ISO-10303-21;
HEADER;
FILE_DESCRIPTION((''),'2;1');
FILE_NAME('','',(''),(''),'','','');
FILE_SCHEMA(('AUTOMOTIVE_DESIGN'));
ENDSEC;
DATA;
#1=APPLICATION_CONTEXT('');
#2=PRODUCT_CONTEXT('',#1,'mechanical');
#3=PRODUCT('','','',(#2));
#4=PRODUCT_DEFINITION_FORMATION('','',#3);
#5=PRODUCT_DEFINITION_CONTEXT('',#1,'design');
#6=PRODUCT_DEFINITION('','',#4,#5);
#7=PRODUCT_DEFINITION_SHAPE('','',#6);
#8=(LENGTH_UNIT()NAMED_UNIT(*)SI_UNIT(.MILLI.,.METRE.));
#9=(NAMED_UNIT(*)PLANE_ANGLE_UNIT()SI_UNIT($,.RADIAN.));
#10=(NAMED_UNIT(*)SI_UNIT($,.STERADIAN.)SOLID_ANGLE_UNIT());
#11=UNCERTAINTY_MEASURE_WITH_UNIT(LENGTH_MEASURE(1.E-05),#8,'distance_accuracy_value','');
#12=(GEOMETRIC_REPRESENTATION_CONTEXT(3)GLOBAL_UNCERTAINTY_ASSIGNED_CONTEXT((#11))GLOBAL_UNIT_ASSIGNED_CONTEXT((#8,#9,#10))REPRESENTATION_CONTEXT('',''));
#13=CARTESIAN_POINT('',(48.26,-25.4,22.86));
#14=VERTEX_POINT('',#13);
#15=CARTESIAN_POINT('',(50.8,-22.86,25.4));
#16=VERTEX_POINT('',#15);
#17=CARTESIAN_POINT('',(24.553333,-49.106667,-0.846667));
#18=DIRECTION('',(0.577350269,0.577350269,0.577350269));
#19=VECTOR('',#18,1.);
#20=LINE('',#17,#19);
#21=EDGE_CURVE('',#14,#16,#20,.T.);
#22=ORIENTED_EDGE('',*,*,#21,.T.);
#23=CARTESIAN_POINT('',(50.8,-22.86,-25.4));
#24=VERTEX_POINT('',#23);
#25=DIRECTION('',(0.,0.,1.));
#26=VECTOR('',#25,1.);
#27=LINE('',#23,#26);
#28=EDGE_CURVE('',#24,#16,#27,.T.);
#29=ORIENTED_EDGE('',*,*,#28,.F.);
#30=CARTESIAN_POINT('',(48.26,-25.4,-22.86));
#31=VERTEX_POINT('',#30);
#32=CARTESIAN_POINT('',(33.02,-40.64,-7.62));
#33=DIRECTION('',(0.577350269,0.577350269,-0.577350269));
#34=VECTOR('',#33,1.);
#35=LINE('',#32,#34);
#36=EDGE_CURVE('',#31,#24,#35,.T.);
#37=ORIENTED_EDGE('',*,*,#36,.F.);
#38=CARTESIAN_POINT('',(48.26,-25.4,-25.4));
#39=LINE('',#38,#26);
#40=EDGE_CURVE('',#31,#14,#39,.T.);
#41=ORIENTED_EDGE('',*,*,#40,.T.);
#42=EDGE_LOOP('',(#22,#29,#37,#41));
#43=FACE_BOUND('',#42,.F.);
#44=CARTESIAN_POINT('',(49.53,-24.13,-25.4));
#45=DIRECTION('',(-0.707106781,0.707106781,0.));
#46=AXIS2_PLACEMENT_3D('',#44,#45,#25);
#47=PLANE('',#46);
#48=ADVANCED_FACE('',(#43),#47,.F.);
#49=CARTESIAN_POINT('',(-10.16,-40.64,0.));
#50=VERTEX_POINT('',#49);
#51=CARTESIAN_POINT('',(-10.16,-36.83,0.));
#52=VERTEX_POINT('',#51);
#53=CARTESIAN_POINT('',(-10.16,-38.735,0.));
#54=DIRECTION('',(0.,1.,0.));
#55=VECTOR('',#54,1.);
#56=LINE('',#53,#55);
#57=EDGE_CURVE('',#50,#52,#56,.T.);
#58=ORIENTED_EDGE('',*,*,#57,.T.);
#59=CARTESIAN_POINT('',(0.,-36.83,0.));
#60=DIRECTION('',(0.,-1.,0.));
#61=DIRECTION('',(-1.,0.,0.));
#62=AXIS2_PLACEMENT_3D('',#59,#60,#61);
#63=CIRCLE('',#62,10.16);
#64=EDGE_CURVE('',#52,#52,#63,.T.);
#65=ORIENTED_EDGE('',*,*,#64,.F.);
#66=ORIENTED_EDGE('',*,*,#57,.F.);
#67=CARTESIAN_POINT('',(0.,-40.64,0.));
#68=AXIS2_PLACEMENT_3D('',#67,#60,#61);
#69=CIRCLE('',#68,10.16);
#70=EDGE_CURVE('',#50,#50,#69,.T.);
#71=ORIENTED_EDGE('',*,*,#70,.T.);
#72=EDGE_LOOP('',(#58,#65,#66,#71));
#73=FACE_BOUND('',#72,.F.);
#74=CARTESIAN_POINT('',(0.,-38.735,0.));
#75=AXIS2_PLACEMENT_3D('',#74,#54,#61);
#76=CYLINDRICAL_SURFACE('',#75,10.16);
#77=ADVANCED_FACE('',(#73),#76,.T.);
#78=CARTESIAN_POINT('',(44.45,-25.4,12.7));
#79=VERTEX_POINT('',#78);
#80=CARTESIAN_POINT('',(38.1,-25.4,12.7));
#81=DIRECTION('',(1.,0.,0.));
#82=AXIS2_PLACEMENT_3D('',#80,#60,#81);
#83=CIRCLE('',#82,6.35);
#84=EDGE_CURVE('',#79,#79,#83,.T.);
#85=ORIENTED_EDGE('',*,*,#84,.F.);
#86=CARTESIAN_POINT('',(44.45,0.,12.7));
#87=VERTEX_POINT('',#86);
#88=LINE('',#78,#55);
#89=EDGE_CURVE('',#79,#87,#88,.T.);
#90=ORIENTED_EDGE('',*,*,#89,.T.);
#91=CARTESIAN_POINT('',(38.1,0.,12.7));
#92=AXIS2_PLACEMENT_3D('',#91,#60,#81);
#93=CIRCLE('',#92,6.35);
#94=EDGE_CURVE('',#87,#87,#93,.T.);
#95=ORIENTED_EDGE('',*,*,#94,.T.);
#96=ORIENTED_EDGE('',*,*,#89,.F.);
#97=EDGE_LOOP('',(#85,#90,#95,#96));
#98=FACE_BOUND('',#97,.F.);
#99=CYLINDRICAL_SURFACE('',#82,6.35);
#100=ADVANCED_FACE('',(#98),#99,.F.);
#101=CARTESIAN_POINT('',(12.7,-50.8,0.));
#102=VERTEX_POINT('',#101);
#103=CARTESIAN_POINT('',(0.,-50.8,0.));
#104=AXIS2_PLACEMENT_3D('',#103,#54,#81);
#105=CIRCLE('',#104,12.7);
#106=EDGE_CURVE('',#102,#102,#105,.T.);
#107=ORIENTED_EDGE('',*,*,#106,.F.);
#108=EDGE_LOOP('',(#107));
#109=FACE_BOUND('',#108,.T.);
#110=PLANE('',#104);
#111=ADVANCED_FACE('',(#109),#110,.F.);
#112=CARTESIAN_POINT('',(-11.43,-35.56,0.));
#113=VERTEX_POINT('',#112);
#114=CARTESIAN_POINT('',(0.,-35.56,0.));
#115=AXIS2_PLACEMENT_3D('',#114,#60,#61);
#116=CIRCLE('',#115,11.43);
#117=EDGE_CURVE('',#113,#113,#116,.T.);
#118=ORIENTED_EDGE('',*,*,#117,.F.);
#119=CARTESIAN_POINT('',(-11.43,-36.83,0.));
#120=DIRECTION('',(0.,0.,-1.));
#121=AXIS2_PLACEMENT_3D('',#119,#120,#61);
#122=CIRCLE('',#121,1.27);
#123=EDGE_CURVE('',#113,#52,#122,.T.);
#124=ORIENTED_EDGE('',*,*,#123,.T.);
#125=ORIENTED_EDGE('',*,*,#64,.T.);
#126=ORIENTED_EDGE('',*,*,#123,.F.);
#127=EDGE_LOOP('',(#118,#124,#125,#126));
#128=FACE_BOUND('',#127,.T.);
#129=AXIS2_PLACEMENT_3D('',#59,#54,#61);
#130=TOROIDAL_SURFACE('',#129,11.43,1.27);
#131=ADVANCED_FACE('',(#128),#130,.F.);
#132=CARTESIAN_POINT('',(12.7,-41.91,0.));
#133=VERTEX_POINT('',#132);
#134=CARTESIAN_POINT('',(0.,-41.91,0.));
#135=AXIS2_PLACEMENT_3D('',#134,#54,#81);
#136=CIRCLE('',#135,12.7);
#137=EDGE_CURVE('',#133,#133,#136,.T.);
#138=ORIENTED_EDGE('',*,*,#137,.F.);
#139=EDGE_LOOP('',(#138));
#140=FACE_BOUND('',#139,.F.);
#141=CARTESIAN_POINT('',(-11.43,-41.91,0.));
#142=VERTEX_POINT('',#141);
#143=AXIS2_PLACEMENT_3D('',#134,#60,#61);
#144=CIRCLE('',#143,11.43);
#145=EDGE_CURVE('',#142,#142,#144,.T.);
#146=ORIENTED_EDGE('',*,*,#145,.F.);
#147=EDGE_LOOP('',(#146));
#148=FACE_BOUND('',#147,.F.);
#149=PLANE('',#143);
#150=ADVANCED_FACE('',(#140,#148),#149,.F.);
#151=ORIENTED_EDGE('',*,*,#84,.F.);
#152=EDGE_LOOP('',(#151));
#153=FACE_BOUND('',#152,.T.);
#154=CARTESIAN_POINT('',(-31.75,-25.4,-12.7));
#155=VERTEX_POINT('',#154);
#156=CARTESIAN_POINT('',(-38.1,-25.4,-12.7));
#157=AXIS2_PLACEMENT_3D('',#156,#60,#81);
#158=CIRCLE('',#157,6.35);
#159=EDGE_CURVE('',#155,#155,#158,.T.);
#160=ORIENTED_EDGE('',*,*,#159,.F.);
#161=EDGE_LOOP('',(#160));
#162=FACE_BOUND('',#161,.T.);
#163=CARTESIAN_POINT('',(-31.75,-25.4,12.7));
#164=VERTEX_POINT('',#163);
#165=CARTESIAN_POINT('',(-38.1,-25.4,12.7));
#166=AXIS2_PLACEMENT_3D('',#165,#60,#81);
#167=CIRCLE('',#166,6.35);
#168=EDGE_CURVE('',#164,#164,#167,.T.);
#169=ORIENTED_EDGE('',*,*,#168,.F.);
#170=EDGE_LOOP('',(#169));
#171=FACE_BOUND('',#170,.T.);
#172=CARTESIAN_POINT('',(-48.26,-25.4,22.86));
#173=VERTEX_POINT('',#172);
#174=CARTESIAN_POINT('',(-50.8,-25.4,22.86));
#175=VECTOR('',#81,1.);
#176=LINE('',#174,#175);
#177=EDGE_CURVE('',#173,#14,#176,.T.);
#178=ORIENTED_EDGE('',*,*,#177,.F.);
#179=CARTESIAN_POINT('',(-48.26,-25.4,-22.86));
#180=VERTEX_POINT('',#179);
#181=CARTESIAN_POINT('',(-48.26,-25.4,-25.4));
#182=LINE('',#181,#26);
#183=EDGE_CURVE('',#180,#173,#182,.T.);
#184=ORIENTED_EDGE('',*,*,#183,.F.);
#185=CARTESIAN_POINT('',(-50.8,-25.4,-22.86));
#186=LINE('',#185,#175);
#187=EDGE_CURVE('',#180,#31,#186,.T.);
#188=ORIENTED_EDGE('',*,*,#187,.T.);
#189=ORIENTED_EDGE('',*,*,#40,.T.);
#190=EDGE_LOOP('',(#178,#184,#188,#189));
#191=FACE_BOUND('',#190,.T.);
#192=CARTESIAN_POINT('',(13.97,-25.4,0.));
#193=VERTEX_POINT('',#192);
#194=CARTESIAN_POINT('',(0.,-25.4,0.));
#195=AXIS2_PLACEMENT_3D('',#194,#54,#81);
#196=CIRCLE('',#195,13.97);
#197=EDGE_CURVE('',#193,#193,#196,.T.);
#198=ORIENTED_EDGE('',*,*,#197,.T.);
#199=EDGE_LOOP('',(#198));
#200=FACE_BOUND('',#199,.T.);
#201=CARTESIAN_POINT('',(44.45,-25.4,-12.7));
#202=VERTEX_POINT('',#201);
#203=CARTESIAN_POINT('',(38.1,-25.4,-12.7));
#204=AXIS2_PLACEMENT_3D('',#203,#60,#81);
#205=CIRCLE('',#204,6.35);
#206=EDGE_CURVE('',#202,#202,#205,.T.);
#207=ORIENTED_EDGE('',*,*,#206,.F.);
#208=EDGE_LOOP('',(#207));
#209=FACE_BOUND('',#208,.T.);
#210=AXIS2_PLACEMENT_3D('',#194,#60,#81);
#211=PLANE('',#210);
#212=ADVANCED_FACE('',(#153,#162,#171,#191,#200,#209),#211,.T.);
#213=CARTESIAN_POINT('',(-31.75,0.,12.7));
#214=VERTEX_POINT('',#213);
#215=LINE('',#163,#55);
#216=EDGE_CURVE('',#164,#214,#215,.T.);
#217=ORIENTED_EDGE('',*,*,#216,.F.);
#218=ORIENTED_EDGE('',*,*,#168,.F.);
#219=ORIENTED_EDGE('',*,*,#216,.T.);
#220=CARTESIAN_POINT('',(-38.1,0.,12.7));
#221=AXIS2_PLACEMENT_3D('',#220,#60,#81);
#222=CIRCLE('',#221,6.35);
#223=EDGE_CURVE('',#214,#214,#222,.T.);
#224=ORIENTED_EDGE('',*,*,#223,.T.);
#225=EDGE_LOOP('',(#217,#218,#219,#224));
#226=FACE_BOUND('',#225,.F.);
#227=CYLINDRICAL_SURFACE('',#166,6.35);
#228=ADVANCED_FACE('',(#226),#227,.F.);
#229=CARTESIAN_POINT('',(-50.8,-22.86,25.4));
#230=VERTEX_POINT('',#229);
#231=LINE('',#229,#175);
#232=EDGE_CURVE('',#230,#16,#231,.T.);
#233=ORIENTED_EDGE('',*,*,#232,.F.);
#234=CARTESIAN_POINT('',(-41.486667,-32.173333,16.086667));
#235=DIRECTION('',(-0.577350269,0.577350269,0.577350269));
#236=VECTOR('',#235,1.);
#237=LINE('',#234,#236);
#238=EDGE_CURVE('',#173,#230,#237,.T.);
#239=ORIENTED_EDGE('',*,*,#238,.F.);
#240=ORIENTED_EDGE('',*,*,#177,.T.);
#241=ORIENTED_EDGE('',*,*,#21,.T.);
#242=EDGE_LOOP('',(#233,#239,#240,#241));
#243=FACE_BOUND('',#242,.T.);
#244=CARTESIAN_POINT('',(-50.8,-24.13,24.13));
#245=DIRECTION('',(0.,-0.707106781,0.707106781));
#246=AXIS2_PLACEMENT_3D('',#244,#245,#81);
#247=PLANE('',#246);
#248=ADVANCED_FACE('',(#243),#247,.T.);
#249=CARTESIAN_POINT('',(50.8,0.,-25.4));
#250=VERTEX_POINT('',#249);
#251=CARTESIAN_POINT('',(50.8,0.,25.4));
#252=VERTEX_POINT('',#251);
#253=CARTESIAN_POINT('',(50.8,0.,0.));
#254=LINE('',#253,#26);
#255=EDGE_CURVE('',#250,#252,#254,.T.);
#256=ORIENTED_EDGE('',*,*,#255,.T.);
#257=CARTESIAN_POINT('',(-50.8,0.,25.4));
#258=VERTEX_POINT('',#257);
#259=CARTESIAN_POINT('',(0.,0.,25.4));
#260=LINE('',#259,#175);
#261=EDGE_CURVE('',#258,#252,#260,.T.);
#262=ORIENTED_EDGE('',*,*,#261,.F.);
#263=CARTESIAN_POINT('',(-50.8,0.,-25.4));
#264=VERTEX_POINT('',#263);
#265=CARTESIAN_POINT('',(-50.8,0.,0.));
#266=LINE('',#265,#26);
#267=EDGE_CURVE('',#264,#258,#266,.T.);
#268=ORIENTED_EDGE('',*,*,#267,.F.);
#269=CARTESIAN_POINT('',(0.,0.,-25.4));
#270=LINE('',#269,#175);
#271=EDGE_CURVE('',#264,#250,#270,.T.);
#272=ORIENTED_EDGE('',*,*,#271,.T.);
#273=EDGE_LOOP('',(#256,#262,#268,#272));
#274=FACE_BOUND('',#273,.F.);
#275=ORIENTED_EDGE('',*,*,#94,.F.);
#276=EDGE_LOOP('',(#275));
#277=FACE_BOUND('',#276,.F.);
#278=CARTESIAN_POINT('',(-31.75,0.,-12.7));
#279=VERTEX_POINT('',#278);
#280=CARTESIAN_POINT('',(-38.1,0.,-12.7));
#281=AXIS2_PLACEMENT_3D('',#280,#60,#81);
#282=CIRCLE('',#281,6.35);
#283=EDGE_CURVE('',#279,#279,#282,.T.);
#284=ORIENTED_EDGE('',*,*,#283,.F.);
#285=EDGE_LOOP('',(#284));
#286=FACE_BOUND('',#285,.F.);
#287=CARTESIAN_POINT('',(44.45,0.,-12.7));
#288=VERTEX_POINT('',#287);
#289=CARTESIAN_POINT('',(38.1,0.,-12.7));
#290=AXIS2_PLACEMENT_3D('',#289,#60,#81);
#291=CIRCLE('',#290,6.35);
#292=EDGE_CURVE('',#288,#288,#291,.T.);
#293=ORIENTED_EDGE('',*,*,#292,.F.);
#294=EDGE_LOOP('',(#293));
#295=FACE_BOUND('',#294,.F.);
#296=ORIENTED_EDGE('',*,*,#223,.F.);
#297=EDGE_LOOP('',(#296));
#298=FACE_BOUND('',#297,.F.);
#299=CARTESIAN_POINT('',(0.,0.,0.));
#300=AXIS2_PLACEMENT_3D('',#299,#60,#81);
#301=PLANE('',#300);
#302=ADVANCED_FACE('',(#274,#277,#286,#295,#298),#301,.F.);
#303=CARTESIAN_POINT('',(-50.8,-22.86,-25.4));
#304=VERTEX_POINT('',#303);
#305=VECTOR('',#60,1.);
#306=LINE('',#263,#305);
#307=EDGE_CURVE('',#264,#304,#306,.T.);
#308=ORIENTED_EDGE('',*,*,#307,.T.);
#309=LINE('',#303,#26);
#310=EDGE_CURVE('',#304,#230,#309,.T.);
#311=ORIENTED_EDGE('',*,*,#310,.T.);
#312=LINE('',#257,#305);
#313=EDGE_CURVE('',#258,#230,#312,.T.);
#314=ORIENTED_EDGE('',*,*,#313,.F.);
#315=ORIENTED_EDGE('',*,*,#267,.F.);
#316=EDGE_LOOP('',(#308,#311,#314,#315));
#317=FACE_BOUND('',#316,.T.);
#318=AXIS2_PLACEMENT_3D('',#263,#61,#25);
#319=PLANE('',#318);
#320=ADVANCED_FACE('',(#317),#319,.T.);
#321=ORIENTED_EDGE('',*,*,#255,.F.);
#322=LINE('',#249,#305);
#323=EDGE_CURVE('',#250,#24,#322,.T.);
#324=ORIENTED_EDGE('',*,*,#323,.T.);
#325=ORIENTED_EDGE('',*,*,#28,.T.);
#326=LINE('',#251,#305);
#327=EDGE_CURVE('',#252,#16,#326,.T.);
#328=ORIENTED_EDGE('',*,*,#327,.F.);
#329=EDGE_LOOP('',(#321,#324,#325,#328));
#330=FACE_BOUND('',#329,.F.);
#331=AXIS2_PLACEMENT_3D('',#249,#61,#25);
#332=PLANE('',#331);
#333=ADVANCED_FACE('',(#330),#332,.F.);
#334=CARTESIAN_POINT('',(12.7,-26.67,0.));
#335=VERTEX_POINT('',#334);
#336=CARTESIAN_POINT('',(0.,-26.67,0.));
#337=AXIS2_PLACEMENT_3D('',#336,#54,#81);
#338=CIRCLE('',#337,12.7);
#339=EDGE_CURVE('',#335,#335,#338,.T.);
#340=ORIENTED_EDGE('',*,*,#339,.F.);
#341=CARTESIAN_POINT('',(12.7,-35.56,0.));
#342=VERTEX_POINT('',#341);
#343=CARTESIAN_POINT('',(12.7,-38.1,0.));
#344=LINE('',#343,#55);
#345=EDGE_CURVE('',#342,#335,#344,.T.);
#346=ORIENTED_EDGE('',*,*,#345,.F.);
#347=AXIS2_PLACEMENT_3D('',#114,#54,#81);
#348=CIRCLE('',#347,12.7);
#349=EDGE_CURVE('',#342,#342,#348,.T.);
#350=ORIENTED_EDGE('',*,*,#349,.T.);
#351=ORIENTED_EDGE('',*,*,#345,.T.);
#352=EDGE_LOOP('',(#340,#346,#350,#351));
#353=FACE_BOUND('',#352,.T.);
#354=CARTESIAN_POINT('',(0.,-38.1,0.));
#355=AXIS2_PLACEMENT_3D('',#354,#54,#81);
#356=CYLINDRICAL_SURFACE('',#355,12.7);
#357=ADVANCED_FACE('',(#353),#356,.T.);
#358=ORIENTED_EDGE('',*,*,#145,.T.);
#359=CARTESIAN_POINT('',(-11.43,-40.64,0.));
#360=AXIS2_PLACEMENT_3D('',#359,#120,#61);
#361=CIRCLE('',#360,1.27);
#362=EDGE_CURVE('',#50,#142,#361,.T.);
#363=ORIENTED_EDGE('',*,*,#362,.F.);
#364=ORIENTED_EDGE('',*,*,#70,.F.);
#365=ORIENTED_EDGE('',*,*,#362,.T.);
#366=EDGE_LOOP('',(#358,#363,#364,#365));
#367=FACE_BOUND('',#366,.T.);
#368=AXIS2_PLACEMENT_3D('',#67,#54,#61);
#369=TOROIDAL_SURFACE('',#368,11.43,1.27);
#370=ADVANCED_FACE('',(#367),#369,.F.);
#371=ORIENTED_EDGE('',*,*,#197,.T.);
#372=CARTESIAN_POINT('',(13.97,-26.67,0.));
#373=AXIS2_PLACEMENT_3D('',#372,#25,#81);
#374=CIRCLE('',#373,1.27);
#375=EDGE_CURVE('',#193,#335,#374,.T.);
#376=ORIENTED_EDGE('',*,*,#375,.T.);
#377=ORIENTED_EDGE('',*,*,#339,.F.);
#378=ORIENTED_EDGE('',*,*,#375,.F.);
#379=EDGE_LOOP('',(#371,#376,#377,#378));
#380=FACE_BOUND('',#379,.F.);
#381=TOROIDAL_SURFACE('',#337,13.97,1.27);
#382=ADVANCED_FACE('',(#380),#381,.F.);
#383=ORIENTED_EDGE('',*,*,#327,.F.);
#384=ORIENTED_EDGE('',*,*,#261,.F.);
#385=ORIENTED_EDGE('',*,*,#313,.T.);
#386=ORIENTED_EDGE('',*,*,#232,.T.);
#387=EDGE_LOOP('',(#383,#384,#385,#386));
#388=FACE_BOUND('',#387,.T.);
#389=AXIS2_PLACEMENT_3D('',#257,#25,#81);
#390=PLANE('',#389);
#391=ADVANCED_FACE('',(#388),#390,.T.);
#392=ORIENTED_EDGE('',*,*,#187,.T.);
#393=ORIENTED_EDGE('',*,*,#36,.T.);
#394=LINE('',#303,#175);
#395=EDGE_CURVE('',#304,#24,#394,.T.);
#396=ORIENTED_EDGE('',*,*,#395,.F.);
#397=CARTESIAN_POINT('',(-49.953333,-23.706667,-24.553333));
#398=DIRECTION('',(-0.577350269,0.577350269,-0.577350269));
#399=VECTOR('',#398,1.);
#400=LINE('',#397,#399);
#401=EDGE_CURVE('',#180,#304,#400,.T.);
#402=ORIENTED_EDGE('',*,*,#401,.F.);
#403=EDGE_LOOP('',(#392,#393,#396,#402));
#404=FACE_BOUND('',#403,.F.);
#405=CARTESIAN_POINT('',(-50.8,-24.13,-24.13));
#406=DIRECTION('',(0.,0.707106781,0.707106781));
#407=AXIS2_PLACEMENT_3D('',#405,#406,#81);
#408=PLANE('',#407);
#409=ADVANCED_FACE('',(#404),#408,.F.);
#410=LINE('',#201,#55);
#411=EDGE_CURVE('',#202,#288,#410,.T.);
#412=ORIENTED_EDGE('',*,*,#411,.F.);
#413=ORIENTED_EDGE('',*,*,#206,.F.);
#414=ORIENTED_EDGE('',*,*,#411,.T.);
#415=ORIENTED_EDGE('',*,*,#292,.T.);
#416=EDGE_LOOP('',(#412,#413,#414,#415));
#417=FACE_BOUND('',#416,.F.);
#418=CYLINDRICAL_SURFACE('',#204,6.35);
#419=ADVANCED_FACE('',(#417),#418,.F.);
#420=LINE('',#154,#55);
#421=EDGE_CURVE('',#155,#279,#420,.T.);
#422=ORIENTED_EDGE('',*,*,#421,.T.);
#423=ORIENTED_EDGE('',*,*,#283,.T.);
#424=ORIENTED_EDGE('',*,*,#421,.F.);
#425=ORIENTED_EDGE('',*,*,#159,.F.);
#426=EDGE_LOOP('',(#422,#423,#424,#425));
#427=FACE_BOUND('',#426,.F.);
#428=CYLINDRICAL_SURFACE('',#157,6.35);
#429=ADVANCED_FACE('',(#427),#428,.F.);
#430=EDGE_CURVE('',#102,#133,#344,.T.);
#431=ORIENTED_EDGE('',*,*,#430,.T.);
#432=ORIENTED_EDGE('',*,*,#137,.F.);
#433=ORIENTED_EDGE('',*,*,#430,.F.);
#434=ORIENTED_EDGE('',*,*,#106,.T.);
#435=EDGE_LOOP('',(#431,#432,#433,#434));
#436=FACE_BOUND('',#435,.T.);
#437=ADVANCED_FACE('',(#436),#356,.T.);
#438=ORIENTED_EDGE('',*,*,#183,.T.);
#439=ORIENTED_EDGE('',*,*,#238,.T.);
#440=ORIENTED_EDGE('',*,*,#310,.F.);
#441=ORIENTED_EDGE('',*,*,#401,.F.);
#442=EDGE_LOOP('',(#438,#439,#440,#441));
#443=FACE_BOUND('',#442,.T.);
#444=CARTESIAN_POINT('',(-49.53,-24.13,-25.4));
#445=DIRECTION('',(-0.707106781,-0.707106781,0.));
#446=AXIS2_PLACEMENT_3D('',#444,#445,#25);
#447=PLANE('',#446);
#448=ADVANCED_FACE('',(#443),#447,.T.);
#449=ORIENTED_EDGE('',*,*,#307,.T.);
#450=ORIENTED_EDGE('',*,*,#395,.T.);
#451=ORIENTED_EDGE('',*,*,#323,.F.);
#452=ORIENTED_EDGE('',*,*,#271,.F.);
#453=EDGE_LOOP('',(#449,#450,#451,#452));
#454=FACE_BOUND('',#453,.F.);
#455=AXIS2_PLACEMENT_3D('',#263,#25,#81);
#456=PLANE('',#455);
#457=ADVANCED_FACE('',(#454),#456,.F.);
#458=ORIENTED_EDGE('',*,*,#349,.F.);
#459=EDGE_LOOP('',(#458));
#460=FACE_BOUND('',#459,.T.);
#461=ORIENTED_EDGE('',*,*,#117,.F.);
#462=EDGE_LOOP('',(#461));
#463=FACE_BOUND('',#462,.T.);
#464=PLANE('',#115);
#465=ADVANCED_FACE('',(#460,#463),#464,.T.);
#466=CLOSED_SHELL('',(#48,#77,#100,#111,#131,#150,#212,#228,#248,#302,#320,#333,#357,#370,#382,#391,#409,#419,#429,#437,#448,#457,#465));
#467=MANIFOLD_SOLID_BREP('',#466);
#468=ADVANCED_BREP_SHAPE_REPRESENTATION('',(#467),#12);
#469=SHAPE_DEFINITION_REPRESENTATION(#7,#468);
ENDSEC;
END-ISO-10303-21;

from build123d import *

# Parameters (mm, degrees)
F0_W     = 101.6
F0_H     = 50.8
F1_DEPTH = 25.4
F2_R     = 6.35
F3_DEPTH = 25.401
F4_W     = 12.7
F4_H     = 25.4
F6_W     = 8.301848
F6_H     = 6.35
F8_R     = 1.27
F9_SIZE  = 2.54


with BuildPart() as f1:
    # F0 (on Front) → F1 (new body)
    with BuildSketch(Plane.XZ):
        Rectangle(F0_W, F0_H)
    extrude(amount=F1_DEPTH)

    # F2 (on face) → F3 (cut, through all)
    with BuildSketch(Plane.XZ.offset(25.4)):
        with Locations((-38.1, 12.7)):
            Circle(F2_R)
        with Locations((-38.1, -12.7)):
            Circle(F2_R)
        with Locations((38.1, 12.7)):
            Circle(F2_R)
        with Locations((38.1, -12.7)):
            Circle(F2_R)
    extrude(amount=-F3_DEPTH, mode=Mode.SUBTRACT)

    # F4 (on Top) → F5 (revolve)
    with BuildSketch(Plane.XY):
        with Locations((6.35, -38.1)):
            Rectangle(F4_W, F4_H)
    revolve(axis=Axis((0, -38.1, 0), (0, 1, 0)))

    # F6 (on Top) → F7 (revolve, cut)
    with BuildSketch(Plane.XY):
        with Locations((-14.310924, -38.735)):
            Rectangle(F6_W, F6_H)
    revolve(axis=Axis((0, -40.756147, 0), (0, -1, 0)), mode=Mode.SUBTRACT)

    # F8
    f8_edges = [f1.edges().sort_by_distance(p)[0] for p in [
        (-12.7, -25.4, 0),
        (10.16, -35.56, 0),
        (10.16, -41.91, 0),
    ]]
    fillet(f8_edges, radius=F8_R)

    # F9
    f9_edges = [f1.edges().sort_by_distance(p)[0] for p in [
        (0, -25.4, 25.4),
        (-50.8, -25.4, 0),
        (0, -25.4, -25.4),
        (50.8, -25.4, 0),
    ]]
    chamfer(f9_edges, length=F9_SIZE)


solid = f1.part
